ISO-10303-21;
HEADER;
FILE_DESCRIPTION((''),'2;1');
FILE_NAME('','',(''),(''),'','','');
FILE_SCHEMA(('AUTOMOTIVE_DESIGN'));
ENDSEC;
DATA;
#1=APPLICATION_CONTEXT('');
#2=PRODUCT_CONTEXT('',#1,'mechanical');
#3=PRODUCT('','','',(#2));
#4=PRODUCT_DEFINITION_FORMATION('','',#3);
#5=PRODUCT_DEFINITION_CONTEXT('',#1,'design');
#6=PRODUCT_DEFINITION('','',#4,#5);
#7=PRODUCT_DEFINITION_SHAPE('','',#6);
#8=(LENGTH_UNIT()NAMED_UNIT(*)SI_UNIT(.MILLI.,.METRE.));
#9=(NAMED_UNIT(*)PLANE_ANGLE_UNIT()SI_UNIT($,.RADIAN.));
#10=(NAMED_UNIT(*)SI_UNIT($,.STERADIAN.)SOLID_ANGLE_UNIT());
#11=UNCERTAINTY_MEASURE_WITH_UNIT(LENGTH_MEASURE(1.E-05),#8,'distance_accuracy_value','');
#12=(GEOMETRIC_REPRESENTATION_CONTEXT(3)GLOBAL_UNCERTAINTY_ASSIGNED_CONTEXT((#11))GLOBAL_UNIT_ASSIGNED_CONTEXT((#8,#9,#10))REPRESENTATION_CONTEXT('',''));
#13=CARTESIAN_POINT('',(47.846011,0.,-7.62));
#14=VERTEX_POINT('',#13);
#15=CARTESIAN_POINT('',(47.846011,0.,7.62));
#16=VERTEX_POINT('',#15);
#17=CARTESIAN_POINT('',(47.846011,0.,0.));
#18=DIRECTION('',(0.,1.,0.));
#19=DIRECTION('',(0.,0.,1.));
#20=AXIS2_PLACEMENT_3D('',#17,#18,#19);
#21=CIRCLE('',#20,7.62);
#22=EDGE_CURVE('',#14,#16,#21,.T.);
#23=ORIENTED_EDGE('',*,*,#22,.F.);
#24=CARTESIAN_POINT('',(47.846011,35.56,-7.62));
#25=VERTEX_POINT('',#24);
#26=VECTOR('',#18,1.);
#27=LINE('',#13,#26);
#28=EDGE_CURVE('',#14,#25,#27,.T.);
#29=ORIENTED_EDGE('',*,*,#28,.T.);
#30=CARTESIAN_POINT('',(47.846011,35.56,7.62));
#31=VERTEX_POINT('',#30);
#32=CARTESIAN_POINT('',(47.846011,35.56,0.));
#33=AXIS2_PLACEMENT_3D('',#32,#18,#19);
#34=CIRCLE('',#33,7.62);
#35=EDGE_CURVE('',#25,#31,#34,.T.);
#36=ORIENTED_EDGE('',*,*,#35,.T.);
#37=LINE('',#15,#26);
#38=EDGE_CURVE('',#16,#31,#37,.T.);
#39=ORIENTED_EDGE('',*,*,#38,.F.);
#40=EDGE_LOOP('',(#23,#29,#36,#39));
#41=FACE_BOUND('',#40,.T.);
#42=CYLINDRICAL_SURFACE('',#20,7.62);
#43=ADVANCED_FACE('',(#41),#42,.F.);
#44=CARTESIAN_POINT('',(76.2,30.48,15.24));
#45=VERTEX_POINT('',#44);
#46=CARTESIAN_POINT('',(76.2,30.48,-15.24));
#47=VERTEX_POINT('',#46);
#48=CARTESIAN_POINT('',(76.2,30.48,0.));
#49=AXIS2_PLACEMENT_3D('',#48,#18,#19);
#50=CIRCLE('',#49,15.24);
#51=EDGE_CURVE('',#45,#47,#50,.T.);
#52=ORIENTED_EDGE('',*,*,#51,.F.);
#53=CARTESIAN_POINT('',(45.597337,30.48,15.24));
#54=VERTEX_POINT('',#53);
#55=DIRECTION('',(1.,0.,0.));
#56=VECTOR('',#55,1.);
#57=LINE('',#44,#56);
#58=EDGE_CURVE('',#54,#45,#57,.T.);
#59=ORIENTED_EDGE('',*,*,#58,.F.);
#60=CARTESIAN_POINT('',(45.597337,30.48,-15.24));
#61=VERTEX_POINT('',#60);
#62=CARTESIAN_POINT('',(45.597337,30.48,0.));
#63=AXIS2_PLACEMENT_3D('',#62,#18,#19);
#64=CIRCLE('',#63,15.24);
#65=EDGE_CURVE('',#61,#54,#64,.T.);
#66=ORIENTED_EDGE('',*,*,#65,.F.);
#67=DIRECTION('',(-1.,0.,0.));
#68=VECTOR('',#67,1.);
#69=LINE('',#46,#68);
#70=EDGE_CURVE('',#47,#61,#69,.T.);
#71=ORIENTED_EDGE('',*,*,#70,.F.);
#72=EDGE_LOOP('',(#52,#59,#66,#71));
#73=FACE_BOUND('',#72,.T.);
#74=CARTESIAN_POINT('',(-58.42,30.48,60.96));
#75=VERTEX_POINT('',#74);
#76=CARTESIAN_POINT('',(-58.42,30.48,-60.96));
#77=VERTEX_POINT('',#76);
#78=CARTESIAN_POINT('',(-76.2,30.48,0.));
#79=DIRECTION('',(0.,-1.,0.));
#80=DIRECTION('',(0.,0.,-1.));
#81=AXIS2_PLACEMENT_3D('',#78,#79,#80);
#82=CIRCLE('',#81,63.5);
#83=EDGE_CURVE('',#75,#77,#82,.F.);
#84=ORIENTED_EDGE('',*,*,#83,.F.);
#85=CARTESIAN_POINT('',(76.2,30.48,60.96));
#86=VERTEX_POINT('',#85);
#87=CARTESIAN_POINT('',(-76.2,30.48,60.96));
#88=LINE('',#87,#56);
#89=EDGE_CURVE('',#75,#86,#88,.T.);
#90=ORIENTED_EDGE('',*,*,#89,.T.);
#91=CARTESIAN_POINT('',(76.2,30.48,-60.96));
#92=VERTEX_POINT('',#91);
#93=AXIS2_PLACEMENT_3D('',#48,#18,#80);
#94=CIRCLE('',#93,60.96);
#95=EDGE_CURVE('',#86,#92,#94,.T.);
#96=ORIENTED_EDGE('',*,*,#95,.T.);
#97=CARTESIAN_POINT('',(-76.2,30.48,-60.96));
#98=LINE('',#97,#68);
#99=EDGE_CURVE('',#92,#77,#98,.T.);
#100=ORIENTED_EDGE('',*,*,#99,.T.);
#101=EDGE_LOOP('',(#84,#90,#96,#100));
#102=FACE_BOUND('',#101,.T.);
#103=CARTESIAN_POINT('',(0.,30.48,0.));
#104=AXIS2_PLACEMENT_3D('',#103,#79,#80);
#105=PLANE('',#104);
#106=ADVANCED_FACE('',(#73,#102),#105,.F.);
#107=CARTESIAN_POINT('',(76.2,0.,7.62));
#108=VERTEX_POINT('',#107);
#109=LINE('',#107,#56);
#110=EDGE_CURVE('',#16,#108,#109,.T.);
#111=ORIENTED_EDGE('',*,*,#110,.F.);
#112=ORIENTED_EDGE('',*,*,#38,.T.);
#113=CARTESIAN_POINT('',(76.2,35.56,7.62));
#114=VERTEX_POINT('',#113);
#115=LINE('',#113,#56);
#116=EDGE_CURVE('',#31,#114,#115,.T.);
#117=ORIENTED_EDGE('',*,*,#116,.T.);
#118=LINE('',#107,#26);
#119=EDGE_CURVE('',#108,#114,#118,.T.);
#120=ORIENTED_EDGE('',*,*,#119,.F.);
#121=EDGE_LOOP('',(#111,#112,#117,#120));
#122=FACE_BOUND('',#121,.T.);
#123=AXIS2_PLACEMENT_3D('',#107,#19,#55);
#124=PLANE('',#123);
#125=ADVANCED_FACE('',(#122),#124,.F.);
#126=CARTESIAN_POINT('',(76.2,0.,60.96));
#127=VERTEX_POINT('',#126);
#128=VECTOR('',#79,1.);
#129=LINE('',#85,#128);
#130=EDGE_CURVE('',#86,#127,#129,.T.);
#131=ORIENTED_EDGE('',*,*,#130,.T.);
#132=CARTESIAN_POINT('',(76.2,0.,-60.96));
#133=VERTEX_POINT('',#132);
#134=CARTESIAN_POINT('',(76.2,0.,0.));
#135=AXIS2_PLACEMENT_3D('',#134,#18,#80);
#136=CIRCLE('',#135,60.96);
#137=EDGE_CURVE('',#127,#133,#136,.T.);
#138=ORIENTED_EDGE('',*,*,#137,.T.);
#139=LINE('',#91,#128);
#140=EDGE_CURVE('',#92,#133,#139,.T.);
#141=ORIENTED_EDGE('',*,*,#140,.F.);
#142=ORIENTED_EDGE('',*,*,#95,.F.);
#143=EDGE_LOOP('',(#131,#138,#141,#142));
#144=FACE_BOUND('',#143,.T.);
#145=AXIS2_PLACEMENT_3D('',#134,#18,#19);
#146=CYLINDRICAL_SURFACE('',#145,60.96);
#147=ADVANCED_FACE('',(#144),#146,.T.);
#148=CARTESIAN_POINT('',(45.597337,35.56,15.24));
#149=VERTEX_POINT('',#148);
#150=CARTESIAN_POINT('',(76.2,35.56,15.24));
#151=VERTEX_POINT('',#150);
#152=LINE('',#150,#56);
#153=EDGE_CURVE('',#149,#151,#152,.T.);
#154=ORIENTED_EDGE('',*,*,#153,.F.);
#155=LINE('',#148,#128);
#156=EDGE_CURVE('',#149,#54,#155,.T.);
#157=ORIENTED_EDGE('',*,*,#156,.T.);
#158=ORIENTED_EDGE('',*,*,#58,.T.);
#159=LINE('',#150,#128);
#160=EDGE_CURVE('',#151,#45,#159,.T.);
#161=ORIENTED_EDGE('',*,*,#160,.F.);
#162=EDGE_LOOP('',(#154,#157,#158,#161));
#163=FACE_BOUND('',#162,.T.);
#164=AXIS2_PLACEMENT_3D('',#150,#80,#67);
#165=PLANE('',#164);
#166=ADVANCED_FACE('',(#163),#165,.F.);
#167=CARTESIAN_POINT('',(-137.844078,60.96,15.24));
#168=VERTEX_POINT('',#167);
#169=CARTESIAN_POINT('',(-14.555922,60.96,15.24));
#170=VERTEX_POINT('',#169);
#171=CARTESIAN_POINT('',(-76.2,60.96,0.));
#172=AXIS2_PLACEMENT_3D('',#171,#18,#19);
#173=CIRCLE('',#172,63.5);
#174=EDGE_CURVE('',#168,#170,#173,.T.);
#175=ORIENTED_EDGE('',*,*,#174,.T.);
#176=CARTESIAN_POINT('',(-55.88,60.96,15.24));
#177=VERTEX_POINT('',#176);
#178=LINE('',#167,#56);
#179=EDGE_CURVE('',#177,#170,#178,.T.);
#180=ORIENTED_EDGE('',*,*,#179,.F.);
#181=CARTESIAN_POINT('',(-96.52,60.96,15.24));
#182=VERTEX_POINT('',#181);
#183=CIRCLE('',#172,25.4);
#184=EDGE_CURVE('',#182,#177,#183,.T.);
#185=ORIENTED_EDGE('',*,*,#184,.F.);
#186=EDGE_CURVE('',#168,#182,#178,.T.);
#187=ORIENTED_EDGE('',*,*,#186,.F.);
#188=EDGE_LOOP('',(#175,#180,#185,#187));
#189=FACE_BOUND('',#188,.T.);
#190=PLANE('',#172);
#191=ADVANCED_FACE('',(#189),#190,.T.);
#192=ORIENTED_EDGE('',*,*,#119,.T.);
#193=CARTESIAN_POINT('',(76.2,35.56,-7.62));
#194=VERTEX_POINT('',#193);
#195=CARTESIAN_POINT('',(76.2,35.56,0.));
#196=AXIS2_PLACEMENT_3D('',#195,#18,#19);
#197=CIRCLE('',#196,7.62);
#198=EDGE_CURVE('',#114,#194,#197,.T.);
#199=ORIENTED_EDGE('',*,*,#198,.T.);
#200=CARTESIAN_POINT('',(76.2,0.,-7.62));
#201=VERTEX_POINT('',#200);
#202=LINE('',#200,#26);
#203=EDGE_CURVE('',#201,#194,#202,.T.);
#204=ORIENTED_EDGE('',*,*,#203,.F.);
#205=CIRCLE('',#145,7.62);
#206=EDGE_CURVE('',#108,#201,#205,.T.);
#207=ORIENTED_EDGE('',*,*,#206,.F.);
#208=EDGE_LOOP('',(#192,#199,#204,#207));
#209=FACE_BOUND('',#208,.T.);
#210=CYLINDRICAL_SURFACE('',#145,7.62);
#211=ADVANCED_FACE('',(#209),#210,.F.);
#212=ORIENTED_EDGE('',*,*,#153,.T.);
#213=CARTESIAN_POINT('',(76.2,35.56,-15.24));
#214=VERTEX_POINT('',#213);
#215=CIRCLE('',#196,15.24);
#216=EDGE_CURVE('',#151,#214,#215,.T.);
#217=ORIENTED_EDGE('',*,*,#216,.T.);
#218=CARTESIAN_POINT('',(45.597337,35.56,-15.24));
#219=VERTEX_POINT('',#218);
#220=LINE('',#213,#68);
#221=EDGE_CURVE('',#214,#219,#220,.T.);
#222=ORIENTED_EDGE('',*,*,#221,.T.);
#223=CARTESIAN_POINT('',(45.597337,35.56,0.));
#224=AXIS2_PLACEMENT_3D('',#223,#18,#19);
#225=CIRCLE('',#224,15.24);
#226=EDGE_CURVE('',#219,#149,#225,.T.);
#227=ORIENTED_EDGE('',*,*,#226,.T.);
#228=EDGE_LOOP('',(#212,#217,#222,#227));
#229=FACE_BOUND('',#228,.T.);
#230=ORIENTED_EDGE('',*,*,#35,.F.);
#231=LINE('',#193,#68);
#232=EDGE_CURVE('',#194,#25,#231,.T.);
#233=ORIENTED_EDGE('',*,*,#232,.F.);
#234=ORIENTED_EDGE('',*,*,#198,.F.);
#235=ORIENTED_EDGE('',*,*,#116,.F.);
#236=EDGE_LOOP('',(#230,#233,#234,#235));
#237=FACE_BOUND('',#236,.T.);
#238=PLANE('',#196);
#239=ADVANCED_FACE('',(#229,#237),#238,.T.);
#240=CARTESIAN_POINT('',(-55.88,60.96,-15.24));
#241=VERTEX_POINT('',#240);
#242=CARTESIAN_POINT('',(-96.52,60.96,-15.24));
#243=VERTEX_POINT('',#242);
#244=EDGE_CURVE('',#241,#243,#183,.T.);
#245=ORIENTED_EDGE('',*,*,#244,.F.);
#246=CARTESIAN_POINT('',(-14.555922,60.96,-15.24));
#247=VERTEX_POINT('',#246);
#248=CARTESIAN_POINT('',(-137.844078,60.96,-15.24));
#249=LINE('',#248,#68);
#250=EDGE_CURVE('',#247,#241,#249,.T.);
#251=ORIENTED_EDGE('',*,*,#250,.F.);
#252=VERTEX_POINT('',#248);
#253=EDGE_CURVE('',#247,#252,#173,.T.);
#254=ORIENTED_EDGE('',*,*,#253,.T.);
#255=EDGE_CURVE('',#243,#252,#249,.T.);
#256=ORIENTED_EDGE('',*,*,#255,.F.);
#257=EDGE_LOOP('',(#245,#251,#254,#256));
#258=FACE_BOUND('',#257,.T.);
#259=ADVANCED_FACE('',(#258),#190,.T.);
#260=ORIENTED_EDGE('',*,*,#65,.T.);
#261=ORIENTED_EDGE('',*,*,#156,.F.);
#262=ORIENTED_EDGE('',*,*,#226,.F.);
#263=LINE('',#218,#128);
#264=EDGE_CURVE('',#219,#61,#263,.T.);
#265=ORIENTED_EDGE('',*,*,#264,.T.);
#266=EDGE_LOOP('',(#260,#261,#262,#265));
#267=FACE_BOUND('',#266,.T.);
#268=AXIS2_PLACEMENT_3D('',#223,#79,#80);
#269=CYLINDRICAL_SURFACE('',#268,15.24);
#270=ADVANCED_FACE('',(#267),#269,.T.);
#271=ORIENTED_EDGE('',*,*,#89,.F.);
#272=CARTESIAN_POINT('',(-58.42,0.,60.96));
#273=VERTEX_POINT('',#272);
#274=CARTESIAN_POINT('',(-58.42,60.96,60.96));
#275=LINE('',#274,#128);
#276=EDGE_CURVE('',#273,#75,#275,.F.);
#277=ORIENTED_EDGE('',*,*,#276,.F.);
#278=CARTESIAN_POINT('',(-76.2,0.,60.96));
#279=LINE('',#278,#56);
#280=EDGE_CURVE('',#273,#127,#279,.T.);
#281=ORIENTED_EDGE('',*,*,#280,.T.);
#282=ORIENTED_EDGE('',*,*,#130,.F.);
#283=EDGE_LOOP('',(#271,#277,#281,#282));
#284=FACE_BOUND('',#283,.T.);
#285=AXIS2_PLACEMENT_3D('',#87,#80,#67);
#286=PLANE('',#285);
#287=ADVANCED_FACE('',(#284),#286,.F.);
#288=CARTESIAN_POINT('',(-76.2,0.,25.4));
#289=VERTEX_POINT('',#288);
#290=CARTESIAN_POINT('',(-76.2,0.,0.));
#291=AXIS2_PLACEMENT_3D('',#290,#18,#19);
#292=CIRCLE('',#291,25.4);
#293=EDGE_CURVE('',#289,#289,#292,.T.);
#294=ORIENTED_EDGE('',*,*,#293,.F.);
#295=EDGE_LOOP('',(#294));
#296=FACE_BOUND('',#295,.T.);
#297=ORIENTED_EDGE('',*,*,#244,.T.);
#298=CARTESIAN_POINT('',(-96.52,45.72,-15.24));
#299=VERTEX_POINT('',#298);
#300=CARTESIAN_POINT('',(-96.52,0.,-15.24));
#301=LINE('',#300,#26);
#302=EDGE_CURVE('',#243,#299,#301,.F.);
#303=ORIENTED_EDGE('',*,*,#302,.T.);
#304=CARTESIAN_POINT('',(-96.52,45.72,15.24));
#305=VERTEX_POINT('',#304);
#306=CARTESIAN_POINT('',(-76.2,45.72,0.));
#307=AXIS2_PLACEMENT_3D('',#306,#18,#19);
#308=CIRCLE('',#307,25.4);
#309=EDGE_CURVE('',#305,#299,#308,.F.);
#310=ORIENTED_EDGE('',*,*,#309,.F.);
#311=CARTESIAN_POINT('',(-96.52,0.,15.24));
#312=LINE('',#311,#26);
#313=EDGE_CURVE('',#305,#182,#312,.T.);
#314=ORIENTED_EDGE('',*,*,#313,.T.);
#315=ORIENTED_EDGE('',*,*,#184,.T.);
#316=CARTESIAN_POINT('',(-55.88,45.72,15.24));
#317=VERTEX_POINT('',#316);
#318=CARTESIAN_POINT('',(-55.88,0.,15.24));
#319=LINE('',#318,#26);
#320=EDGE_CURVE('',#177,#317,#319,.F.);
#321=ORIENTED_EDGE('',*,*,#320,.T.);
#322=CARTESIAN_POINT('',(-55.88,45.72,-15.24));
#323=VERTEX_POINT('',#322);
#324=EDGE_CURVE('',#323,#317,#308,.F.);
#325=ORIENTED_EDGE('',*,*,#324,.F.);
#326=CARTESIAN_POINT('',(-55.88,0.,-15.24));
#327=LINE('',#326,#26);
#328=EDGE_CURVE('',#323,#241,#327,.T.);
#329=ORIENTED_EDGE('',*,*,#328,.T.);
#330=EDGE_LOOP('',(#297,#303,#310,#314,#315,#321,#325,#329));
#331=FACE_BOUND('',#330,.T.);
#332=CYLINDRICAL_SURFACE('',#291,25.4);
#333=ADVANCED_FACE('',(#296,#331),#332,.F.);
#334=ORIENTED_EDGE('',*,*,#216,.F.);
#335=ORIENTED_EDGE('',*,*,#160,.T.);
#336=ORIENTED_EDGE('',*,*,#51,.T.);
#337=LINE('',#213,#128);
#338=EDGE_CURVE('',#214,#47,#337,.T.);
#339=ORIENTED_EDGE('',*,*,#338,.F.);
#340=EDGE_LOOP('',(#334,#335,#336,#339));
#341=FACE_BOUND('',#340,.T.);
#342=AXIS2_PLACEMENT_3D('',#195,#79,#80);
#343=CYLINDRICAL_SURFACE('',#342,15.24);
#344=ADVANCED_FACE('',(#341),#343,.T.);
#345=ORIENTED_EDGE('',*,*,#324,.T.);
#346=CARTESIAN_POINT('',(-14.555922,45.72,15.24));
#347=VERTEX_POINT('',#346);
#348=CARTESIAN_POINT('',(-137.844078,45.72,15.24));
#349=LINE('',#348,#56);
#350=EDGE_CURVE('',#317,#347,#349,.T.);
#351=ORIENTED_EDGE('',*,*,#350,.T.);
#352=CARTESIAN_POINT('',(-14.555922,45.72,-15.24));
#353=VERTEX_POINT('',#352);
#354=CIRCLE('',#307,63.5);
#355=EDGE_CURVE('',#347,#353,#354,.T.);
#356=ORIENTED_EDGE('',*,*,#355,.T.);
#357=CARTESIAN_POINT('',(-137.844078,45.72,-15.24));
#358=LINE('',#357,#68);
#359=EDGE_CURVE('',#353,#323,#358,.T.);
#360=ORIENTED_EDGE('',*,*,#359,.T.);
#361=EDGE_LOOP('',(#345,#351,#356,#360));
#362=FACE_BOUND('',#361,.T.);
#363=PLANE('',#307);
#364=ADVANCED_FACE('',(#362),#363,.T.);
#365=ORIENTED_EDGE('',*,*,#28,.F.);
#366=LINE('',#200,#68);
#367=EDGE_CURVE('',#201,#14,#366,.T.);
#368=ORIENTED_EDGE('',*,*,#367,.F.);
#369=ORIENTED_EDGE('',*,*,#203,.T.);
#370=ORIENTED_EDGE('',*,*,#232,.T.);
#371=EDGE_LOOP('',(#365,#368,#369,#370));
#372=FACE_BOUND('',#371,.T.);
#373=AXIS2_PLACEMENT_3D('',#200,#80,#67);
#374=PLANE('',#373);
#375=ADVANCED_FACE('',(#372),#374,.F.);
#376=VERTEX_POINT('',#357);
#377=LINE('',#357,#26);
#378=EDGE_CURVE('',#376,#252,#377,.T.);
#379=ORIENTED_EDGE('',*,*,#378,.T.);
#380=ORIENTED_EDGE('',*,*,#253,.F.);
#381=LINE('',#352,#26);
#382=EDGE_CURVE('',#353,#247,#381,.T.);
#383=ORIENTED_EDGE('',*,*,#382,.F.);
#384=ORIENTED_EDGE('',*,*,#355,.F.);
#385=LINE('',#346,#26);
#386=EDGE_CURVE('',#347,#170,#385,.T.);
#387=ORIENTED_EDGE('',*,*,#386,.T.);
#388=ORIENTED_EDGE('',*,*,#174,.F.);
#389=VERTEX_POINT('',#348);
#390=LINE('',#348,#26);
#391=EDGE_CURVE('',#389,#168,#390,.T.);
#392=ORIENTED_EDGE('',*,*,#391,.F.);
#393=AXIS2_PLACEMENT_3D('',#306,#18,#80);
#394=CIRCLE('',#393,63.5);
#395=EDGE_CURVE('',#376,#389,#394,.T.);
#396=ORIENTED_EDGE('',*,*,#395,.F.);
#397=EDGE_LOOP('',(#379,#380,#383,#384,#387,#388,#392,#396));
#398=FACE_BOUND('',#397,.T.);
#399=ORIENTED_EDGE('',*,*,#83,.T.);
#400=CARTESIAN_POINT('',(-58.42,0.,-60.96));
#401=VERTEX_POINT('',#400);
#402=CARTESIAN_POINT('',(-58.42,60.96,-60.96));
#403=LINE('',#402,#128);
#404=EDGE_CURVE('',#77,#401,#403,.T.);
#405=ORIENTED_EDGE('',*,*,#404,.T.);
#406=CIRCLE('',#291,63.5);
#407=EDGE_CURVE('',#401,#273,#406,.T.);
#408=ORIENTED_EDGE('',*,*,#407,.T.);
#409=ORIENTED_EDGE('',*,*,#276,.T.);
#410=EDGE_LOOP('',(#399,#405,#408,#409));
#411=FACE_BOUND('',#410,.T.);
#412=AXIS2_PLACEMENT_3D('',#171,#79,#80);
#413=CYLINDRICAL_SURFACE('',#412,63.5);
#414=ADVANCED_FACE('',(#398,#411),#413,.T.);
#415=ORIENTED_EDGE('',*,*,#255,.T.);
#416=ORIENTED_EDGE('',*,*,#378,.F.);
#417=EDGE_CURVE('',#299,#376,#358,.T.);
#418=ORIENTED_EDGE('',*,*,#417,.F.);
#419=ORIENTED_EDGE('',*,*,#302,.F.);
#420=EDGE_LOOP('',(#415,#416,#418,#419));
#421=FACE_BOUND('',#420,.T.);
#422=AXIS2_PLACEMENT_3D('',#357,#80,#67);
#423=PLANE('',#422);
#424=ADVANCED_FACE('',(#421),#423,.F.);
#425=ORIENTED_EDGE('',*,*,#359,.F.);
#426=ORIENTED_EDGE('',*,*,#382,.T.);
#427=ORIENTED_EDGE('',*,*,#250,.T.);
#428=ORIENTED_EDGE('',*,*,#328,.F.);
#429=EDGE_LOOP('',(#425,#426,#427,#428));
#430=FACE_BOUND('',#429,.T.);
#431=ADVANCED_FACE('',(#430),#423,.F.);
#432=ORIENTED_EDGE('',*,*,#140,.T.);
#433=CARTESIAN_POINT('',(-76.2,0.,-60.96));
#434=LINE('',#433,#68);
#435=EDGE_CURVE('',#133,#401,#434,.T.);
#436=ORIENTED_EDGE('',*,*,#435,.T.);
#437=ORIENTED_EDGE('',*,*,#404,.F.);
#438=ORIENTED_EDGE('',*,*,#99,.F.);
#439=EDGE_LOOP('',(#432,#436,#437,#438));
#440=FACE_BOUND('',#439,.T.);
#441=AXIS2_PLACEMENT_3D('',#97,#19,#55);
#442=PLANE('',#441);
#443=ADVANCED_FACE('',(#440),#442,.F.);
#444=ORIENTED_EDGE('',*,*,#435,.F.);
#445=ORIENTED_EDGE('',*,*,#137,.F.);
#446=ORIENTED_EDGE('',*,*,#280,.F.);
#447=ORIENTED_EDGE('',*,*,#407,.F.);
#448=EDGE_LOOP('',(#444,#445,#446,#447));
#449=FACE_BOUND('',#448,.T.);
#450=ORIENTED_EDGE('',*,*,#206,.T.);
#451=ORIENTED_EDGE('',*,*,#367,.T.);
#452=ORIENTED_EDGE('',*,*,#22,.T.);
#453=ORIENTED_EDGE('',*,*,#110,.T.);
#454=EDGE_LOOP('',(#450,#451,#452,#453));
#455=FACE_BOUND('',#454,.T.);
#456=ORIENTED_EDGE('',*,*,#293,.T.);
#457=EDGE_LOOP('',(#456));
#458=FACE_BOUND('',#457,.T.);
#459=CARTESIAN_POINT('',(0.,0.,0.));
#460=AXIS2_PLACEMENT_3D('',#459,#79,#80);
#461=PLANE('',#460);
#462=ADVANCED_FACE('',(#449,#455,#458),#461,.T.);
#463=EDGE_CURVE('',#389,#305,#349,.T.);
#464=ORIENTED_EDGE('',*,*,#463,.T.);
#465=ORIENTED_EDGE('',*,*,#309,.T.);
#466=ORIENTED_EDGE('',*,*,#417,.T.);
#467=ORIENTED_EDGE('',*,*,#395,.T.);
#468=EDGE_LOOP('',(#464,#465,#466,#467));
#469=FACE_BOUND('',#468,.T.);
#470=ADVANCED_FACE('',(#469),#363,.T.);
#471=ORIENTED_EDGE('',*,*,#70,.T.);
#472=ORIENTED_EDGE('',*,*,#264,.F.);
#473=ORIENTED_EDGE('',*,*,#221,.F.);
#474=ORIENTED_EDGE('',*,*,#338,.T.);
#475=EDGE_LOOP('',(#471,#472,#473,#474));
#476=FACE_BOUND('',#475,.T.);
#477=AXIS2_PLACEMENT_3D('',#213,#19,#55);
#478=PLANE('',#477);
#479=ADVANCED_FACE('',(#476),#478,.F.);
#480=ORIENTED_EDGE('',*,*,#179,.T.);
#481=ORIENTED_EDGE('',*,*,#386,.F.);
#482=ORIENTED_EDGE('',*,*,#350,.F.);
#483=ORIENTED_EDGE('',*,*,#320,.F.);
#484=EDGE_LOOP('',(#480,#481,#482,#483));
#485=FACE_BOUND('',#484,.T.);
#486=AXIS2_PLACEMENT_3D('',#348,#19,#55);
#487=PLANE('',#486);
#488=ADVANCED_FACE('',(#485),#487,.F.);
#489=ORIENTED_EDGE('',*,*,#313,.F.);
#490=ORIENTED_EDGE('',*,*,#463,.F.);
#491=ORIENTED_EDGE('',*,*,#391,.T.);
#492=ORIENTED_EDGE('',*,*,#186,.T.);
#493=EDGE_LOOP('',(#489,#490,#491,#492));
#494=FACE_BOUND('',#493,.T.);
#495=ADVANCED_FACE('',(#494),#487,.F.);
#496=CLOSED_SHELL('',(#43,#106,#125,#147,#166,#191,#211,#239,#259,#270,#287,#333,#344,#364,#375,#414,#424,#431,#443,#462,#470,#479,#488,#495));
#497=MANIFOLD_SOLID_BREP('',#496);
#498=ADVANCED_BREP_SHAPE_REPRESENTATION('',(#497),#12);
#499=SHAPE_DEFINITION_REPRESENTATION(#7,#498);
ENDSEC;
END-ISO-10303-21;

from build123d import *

# Parameters (mm, degrees)
SKETCH2_W           = 152.4
SKETCH2_H           = 121.92
BOSS_EXTRUDE1_DEPTH = 30.48
SKETCH3_R           = 63.5
BOSS_EXTRUDE2_DEPTH = 30.48
SKETCH4_R           = 25.4
CUT_EXTRUDE1_DEPTH  = 60.96
BOSS_EXTRUDE3_DEPTH = 30.48
BOSS_EXTRUDE5_DEPTH = 5.08
CUT_EXTRUDE4_DEPTH  = 35.56
CUT_EXTRUDE5_DEPTH  = 15.24


with BuildPart() as part:
    # Sketch2 → Boss-Extrude1 (new body)
    with BuildSketch(Plane(origin=(0, 0, 0), x_dir=(1, 0, 0), z_dir=(0, 1, 0))):
        Rectangle(SKETCH2_W, SKETCH2_H)
    extrude(amount=BOSS_EXTRUDE1_DEPTH)

    # Sketch3 → Boss-Extrude2 (add, symmetric)
    with BuildSketch(Plane(origin=(0, 30.48, 0), x_dir=(1, 0, 0), z_dir=(0, 1, 0))):
        with Locations(Location((-76.2, 0, 0), (0, 0, 73.739795292))):
            Circle(SKETCH3_R)
    extrude(amount=BOSS_EXTRUDE2_DEPTH, both=True)

    # Sketch4 → Cut-Extrude1 (cut)
    with BuildSketch(Plane(origin=(0, 60.96, 0), x_dir=(1, 0, 0), z_dir=(0, 1, 0))):
        with Locations(Location((-76.2, 0, 0), (0, 0, 270))):
            Circle(SKETCH4_R)
    extrude(amount=-CUT_EXTRUDE1_DEPTH, mode=Mode.SUBTRACT)

    # Sketch5 → Boss-Extrude3 (add)
    with BuildSketch(Plane(origin=(0, 30.48, 0), x_dir=(1, 0, 0), z_dir=(0, 1, 0))):
        with BuildLine():
            Line((76.2, 60.96), (76.2, -60.96))
            ThreePointArc((76.2, -60.96), (137.16, 0), (76.2, 60.96))
        make_face()
    extrude(amount=-BOSS_EXTRUDE3_DEPTH)

    # Sketch6 → Boss-Extrude5 (add)
    with BuildSketch(Plane(origin=(0, 30.48, 0), x_dir=(1, 0, 0), z_dir=(0, 1, 0))):
        with BuildLine():
            Line((76.2, -15.24), (45.597337332, -15.24))
            ThreePointArc((45.597337332, -15.24), (30.357337332, 0), (45.597337332, 15.24))
            Line((45.597337332, 15.24), (76.2, 15.24))
            ThreePointArc((76.2, 15.24), (91.44, 0), (76.2, -15.24))
        make_face()
    extrude(amount=BOSS_EXTRUDE5_DEPTH)

    # Sketch12 → Cut-Extrude4 (cut)
    with BuildSketch(Plane(origin=(0, 35.56, 0), x_dir=(1, 0, 0), z_dir=(0, 1, 0))):
        with BuildLine():
            Line((76.2, -7.62), (47.846010547, -7.62))
            ThreePointArc((47.846010547, -7.62), (40.226010547, 0), (47.846010547, 7.62))
            Line((47.846010547, 7.62), (76.2, 7.62))
            ThreePointArc((76.2, 7.62), (83.82, 0), (76.2, -7.62))
        make_face()
    extrude(amount=-CUT_EXTRUDE4_DEPTH, mode=Mode.SUBTRACT)

    # Sketch14 → Cut-Extrude5 (cut)
    with BuildSketch(Plane(origin=(0, 60.96, 0), x_dir=(1, 0, 0), z_dir=(0, 1, 0))):
        with BuildLine():
            Line((-137.844078386, -15.24), (-14.555921614, -15.24))
            ThreePointArc((-14.555921614, -15.24), (-12.7, 0), (-14.555921614, 15.24))
            Line((-14.555921614, 15.24), (-137.844078386, 15.24))
            ThreePointArc((-137.844078386, 15.24), (-139.7, 0), (-137.844078386, -15.24))
        make_face()
    extrude(amount=-CUT_EXTRUDE5_DEPTH, mode=Mode.SUBTRACT)


solid = part.part
